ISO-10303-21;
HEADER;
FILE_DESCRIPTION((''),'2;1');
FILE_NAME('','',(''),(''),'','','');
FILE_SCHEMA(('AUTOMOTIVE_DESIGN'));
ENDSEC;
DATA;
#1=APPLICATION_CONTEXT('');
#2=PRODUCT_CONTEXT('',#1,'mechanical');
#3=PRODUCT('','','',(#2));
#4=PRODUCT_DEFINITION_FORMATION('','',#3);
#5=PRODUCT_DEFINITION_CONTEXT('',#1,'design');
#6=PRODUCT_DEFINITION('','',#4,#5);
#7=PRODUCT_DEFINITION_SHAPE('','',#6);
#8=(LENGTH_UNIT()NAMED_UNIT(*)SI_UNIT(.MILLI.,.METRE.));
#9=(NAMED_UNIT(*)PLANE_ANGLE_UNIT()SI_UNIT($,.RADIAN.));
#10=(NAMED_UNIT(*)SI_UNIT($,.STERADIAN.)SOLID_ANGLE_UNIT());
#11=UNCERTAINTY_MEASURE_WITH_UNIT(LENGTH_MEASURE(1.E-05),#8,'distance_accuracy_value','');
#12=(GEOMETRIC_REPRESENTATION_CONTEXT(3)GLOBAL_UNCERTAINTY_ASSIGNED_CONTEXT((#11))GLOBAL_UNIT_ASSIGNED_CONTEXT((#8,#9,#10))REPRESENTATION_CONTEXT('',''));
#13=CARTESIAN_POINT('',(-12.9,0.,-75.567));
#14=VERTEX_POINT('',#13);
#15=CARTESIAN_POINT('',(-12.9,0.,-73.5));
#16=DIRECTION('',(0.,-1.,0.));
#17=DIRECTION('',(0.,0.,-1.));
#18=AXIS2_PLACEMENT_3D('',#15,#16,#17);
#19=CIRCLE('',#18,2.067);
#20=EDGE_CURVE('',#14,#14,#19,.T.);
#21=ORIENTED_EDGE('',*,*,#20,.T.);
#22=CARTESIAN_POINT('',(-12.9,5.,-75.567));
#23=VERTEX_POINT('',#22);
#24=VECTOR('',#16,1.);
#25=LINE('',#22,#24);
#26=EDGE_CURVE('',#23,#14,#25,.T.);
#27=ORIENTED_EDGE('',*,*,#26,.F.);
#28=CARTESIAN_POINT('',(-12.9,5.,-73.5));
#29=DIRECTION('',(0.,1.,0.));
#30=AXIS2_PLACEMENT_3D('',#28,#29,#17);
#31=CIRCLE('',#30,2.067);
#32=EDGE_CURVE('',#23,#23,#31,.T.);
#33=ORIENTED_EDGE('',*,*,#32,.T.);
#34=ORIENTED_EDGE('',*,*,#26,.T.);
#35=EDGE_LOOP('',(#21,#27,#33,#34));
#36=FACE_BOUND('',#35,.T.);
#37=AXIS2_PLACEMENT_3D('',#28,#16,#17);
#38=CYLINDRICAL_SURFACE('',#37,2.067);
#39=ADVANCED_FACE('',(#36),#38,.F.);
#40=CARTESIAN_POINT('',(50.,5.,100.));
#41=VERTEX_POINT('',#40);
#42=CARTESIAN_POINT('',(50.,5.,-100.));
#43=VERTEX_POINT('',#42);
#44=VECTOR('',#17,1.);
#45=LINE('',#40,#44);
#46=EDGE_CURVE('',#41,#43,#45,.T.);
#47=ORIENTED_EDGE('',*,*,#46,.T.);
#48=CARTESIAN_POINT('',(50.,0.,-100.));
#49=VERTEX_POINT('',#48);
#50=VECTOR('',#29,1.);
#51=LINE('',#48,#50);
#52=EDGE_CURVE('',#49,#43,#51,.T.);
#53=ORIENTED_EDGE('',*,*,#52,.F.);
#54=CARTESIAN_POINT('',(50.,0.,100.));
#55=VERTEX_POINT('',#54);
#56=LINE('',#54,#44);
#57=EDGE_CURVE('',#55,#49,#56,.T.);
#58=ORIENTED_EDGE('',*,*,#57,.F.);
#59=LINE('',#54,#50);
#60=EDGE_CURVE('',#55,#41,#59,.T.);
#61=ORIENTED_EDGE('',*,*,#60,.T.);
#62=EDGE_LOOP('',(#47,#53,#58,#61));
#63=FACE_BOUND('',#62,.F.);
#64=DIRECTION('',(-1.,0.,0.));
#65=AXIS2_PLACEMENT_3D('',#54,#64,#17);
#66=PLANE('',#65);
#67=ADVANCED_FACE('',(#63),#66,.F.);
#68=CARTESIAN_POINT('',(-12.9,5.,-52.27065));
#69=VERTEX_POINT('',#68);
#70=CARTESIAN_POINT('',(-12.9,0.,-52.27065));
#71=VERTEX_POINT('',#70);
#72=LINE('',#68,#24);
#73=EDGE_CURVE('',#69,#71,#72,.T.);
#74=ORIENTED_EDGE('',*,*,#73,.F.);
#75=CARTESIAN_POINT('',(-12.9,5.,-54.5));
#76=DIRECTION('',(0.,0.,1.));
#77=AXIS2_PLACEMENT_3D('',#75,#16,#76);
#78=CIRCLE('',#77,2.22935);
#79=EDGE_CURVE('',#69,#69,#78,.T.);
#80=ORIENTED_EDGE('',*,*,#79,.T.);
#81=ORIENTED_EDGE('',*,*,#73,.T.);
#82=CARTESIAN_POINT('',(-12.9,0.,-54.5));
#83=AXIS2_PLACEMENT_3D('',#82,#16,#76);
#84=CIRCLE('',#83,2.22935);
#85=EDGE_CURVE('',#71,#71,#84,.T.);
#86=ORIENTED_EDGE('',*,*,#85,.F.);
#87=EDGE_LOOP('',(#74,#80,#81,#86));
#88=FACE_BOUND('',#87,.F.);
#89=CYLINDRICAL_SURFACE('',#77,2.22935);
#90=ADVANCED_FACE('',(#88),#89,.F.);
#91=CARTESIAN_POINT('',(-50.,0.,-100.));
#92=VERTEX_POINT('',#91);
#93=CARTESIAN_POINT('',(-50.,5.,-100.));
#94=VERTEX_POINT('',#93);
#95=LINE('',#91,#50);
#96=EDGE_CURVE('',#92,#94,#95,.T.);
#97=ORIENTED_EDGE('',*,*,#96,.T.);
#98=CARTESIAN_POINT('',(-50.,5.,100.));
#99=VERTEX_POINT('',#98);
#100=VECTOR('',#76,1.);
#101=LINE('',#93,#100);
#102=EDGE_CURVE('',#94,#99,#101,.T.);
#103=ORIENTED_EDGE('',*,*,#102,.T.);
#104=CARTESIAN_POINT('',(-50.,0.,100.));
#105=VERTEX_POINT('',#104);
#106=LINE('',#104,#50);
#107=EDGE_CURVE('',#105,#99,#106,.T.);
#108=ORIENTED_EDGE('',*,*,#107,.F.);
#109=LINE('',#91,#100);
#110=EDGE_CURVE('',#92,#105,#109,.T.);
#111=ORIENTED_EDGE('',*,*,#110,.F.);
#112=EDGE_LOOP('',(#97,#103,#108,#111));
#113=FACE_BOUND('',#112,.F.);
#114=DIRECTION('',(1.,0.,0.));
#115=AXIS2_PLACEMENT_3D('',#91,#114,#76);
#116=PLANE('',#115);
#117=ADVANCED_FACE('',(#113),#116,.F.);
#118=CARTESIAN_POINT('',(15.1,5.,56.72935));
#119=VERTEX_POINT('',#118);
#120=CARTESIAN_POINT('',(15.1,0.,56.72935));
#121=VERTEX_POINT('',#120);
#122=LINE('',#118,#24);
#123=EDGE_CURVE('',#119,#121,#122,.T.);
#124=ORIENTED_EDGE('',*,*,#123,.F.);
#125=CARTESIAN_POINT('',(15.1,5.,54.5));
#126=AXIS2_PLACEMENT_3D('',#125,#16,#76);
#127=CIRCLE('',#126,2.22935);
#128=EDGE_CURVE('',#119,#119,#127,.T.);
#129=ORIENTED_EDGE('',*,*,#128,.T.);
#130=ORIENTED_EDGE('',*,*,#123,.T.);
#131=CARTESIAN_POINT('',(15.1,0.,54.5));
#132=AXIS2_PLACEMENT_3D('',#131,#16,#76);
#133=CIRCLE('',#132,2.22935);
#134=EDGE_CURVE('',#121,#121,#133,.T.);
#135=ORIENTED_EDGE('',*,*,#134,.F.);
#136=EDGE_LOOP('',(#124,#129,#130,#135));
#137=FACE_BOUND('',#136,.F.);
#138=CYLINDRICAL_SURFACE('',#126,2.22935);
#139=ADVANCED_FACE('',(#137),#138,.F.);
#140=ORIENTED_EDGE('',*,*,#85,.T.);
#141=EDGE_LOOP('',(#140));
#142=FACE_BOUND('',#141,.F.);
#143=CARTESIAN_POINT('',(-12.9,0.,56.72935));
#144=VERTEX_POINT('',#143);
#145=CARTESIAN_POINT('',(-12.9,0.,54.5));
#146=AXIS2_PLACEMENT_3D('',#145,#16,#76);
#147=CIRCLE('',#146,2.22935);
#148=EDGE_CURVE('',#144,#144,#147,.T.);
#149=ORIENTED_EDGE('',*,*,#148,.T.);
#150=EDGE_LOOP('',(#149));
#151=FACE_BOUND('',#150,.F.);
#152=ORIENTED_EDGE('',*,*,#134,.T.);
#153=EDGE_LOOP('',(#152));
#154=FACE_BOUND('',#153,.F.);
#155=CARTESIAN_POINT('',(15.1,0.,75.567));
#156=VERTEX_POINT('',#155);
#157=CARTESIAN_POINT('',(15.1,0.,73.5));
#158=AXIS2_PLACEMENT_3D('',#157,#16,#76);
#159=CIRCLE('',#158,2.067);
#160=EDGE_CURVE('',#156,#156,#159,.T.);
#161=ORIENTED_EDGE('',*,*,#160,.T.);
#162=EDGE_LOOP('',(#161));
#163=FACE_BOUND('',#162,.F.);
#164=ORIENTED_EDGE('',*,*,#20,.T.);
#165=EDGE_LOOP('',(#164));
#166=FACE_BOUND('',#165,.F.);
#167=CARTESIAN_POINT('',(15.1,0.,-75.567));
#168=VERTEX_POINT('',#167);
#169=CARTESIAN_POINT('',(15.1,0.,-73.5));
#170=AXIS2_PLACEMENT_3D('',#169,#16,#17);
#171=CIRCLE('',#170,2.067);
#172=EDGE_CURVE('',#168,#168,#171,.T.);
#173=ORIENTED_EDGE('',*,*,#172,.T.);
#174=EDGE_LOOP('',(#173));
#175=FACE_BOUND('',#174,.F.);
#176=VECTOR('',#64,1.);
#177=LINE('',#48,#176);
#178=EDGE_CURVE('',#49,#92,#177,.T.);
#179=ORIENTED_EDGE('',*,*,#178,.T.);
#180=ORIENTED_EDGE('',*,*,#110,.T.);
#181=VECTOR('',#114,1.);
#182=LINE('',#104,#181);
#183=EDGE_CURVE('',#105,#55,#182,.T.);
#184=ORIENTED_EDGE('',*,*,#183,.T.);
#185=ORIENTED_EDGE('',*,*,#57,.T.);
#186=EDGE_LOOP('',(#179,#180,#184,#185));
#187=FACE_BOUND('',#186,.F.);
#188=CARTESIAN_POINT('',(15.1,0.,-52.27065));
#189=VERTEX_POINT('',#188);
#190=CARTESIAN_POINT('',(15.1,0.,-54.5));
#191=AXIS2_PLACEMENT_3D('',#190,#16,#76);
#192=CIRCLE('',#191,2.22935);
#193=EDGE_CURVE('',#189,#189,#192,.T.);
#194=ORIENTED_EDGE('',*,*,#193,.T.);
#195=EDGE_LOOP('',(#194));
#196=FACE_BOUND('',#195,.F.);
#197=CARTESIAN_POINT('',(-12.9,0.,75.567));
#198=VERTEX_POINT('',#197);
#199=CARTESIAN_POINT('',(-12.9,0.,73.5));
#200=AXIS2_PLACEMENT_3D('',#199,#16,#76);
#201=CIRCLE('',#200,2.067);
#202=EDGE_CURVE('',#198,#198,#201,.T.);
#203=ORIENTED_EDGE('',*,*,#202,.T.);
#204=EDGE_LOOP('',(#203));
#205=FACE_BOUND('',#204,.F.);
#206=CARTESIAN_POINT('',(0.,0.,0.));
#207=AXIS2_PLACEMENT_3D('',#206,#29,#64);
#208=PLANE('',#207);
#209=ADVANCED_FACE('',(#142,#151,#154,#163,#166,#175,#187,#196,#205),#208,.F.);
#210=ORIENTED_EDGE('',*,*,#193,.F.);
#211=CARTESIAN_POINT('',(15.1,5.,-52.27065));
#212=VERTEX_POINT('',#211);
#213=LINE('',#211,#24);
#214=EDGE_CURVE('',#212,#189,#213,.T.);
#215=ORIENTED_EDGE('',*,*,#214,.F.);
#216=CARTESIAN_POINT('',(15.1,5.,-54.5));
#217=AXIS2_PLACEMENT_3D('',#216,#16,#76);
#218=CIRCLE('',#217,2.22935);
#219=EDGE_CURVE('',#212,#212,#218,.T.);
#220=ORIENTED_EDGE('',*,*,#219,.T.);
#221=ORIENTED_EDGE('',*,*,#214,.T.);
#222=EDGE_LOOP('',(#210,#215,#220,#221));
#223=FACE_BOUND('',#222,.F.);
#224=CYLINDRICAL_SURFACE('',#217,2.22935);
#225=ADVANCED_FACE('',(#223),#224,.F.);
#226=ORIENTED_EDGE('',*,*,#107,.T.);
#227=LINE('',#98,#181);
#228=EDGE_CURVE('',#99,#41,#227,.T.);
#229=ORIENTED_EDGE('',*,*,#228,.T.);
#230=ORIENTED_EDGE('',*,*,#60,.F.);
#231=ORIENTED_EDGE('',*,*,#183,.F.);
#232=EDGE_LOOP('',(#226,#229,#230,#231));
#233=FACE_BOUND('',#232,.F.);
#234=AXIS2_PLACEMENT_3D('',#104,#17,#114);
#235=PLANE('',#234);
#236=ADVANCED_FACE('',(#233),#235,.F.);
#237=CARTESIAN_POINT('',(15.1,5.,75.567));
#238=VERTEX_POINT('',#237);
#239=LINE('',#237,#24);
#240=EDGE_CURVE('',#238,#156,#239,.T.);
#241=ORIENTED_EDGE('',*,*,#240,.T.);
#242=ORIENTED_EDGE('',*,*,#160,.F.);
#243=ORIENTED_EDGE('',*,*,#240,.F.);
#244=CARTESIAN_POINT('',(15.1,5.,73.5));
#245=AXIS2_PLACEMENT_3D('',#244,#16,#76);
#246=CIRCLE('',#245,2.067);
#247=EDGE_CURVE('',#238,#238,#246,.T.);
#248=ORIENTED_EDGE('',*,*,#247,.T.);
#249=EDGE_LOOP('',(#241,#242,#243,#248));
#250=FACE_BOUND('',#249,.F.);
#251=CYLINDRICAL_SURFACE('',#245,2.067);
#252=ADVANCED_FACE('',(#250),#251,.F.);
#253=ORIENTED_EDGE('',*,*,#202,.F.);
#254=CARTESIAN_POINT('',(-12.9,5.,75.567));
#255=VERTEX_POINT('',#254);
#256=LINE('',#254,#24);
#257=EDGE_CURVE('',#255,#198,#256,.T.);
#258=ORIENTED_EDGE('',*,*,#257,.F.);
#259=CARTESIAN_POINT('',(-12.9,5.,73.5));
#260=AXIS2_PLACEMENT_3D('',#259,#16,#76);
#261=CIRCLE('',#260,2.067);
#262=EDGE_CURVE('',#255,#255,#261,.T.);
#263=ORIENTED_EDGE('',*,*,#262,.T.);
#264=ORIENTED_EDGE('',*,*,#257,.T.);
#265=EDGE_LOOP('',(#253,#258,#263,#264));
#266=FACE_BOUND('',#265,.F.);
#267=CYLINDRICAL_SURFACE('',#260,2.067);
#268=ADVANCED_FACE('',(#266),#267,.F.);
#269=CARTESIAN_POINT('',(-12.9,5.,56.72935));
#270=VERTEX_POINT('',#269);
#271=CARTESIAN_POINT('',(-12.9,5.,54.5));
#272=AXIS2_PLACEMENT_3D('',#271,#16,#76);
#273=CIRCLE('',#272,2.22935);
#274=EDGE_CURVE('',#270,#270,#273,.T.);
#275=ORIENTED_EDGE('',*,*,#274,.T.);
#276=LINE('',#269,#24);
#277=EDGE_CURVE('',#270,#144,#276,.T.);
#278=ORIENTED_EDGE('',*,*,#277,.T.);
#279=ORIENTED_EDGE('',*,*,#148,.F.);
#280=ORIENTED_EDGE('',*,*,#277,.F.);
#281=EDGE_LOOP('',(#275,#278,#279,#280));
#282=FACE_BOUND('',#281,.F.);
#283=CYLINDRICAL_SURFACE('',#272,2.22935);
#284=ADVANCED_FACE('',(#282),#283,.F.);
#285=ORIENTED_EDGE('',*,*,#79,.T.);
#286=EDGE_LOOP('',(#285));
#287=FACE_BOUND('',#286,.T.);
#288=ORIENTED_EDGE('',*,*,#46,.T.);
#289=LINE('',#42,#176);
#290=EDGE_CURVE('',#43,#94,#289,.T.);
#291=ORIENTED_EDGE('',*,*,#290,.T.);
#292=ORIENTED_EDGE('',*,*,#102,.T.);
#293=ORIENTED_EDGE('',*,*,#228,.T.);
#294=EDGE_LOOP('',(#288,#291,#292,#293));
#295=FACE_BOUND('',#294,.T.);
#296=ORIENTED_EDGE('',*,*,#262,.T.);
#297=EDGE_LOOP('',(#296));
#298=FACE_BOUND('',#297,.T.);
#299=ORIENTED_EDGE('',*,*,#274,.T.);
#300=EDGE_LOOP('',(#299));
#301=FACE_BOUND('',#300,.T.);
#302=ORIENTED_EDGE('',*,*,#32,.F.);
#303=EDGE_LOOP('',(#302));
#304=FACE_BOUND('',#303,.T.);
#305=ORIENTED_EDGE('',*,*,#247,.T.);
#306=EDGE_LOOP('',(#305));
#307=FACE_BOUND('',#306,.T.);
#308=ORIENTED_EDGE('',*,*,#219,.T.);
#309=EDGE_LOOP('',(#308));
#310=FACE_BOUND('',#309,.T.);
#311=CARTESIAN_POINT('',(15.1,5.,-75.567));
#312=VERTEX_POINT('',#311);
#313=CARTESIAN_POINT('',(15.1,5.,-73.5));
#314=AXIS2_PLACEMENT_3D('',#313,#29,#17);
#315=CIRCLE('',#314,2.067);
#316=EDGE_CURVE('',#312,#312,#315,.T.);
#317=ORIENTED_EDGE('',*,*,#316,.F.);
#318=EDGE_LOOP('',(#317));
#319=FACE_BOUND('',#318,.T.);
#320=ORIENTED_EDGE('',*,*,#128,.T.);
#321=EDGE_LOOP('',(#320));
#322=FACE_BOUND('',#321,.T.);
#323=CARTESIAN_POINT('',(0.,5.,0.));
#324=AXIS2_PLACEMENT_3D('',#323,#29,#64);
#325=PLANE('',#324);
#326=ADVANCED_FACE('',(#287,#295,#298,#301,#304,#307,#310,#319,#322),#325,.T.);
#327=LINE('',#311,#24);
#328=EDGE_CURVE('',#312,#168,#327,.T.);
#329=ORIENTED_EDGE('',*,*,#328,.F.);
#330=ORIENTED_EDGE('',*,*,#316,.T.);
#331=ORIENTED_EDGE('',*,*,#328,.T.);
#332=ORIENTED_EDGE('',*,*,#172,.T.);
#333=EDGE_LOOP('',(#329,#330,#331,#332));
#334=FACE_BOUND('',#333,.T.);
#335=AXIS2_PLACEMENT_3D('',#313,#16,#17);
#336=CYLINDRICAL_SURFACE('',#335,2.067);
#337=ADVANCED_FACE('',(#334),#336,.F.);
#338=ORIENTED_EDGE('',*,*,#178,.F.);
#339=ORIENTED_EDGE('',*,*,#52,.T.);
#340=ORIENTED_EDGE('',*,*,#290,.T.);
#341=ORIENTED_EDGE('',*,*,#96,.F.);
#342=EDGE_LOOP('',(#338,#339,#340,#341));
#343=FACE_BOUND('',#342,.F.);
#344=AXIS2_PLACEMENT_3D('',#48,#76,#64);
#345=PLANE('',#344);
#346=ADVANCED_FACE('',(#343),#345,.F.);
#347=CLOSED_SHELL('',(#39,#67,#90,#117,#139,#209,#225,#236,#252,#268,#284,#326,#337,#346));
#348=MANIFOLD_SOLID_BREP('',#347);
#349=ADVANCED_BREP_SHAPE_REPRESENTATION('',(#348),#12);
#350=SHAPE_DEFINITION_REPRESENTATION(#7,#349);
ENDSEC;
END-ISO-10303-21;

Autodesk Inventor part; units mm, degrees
ref_plane "YZ Plane" through (0, 0, 0) normal (1, 0, 0) x (0, 1, 0)
ref_plane "XZ Plane" through (0, 0, 0) normal (0, 1, 0) x (-1, 0, 0)
ref_plane "XY Plane" through (0, 0, 0) normal (0, 0, 1) x (1, 0, 0)
sketch "Sketch1" plane through (0, 0, 0) normal (0, 1, 0) x (-1, 0, 0)
  line L0 (50, 100) -> (-50, 100)
  line L1 (-50, 100) -> (-50, -100)
  line L2 (-50, -100) -> (50, -100)
  line L3 (50, -100) -> (50, 100)
  line L4 (50, 100) -> (-50, -100) construction
  line L5 (-50, 100) -> (50, -100) construction
  point P0 (0, 0)
  dimension "d0" = 100
  dimension "d1" = 200
extrude "Extrusion1" add sketch "Sketch1" along normal blind 5
sketch "Sketch2" plane through (0, 5, 0) normal (0, 1, 0) x (1, 0, 0)
  line L0 (-34.6, -58) -> (34.6, -58)
  line L1 (34.6, -58) -> (34.6, 58)
  line L2 (34.6, 58) -> (-34.6, 58)
  line L3 (-34.6, 58) -> (-34.6, -58)
  line L4 (-34.6, -58) -> (34.6, 58) construction
  line L5 (34.6, -58) -> (-34.6, 58) construction
  circle A0 centre (-12.9, 54.5) radius 2.5
  circle A1 centre (15.1, 54.5) radius 2.5
  line L6 (0, 0) -> (-70, 0) construction
  line L7 (0, 0) -> (70, 0) construction
  circle A2 centre (-12.9, -54.5) radius 2.5
  circle A3 centre (15.1, -54.5) radius 2.5
  dimension "d4" = 69.2
  dimension "d5" = 116
  dimension "d6" = 19.5
  dimension "d7" = 28
  dimension "d8" = 3.5
  dimension "d9" = 3.5
  dimension "d10" = 5
  dimension "d11" = 5
  dimension "d12" = 70
  dimension "d13" = 180
hole "Hole1" at (-12.9, 5, 54.5) at (15.1, 5, 54.5) at (-12.9, 5, -54.5) at (15.1, 5, -54.5) direction (0, -1, 0) diameter 4.4587 end through all thread size "M5x0.5" class "6H" standard "ANSI Metric M Profile"
sketch "Sketch3" plane through (0, 5, 0) normal (0, 1, 0) x (1, 0, 0)
  line L0 (-34.6, -81) -> (34.6, -81)
  line L1 (34.6, -81) -> (34.6, 81)
  line L2 (34.6, 81) -> (-34.6, 81)
  line L3 (-34.6, 81) -> (-34.6, -81)
  line L4 (-34.6, -81) -> (34.6, 81) construction
  line L5 (34.6, -81) -> (-34.6, 81) construction
  point P0 (0, 0)
  point P1 (15.1, -73.5)
  point P2 (-12.9, -73.5)
  dimension "d21" = 69.2
  dimension "d22" = 162
  dimension "d23" = 7.5
  dimension "d24" = 7.5
  dimension "d25" = 28
  dimension "d26" = 19.5
hole "Hole2" at (15.1, 5, 73.5) at (-12.9, 5, 73.5) direction (0, -1, 0) diameter 4.134 end through all thread size "M5x0.8" class "6H" standard "ANSI Metric M Profile"
mirror "Mirror2" about plane through (0, 0, 0) normal (0, 0, 1) of "Hole2"
properties part number "Aluminum_Heatsink_Base"
